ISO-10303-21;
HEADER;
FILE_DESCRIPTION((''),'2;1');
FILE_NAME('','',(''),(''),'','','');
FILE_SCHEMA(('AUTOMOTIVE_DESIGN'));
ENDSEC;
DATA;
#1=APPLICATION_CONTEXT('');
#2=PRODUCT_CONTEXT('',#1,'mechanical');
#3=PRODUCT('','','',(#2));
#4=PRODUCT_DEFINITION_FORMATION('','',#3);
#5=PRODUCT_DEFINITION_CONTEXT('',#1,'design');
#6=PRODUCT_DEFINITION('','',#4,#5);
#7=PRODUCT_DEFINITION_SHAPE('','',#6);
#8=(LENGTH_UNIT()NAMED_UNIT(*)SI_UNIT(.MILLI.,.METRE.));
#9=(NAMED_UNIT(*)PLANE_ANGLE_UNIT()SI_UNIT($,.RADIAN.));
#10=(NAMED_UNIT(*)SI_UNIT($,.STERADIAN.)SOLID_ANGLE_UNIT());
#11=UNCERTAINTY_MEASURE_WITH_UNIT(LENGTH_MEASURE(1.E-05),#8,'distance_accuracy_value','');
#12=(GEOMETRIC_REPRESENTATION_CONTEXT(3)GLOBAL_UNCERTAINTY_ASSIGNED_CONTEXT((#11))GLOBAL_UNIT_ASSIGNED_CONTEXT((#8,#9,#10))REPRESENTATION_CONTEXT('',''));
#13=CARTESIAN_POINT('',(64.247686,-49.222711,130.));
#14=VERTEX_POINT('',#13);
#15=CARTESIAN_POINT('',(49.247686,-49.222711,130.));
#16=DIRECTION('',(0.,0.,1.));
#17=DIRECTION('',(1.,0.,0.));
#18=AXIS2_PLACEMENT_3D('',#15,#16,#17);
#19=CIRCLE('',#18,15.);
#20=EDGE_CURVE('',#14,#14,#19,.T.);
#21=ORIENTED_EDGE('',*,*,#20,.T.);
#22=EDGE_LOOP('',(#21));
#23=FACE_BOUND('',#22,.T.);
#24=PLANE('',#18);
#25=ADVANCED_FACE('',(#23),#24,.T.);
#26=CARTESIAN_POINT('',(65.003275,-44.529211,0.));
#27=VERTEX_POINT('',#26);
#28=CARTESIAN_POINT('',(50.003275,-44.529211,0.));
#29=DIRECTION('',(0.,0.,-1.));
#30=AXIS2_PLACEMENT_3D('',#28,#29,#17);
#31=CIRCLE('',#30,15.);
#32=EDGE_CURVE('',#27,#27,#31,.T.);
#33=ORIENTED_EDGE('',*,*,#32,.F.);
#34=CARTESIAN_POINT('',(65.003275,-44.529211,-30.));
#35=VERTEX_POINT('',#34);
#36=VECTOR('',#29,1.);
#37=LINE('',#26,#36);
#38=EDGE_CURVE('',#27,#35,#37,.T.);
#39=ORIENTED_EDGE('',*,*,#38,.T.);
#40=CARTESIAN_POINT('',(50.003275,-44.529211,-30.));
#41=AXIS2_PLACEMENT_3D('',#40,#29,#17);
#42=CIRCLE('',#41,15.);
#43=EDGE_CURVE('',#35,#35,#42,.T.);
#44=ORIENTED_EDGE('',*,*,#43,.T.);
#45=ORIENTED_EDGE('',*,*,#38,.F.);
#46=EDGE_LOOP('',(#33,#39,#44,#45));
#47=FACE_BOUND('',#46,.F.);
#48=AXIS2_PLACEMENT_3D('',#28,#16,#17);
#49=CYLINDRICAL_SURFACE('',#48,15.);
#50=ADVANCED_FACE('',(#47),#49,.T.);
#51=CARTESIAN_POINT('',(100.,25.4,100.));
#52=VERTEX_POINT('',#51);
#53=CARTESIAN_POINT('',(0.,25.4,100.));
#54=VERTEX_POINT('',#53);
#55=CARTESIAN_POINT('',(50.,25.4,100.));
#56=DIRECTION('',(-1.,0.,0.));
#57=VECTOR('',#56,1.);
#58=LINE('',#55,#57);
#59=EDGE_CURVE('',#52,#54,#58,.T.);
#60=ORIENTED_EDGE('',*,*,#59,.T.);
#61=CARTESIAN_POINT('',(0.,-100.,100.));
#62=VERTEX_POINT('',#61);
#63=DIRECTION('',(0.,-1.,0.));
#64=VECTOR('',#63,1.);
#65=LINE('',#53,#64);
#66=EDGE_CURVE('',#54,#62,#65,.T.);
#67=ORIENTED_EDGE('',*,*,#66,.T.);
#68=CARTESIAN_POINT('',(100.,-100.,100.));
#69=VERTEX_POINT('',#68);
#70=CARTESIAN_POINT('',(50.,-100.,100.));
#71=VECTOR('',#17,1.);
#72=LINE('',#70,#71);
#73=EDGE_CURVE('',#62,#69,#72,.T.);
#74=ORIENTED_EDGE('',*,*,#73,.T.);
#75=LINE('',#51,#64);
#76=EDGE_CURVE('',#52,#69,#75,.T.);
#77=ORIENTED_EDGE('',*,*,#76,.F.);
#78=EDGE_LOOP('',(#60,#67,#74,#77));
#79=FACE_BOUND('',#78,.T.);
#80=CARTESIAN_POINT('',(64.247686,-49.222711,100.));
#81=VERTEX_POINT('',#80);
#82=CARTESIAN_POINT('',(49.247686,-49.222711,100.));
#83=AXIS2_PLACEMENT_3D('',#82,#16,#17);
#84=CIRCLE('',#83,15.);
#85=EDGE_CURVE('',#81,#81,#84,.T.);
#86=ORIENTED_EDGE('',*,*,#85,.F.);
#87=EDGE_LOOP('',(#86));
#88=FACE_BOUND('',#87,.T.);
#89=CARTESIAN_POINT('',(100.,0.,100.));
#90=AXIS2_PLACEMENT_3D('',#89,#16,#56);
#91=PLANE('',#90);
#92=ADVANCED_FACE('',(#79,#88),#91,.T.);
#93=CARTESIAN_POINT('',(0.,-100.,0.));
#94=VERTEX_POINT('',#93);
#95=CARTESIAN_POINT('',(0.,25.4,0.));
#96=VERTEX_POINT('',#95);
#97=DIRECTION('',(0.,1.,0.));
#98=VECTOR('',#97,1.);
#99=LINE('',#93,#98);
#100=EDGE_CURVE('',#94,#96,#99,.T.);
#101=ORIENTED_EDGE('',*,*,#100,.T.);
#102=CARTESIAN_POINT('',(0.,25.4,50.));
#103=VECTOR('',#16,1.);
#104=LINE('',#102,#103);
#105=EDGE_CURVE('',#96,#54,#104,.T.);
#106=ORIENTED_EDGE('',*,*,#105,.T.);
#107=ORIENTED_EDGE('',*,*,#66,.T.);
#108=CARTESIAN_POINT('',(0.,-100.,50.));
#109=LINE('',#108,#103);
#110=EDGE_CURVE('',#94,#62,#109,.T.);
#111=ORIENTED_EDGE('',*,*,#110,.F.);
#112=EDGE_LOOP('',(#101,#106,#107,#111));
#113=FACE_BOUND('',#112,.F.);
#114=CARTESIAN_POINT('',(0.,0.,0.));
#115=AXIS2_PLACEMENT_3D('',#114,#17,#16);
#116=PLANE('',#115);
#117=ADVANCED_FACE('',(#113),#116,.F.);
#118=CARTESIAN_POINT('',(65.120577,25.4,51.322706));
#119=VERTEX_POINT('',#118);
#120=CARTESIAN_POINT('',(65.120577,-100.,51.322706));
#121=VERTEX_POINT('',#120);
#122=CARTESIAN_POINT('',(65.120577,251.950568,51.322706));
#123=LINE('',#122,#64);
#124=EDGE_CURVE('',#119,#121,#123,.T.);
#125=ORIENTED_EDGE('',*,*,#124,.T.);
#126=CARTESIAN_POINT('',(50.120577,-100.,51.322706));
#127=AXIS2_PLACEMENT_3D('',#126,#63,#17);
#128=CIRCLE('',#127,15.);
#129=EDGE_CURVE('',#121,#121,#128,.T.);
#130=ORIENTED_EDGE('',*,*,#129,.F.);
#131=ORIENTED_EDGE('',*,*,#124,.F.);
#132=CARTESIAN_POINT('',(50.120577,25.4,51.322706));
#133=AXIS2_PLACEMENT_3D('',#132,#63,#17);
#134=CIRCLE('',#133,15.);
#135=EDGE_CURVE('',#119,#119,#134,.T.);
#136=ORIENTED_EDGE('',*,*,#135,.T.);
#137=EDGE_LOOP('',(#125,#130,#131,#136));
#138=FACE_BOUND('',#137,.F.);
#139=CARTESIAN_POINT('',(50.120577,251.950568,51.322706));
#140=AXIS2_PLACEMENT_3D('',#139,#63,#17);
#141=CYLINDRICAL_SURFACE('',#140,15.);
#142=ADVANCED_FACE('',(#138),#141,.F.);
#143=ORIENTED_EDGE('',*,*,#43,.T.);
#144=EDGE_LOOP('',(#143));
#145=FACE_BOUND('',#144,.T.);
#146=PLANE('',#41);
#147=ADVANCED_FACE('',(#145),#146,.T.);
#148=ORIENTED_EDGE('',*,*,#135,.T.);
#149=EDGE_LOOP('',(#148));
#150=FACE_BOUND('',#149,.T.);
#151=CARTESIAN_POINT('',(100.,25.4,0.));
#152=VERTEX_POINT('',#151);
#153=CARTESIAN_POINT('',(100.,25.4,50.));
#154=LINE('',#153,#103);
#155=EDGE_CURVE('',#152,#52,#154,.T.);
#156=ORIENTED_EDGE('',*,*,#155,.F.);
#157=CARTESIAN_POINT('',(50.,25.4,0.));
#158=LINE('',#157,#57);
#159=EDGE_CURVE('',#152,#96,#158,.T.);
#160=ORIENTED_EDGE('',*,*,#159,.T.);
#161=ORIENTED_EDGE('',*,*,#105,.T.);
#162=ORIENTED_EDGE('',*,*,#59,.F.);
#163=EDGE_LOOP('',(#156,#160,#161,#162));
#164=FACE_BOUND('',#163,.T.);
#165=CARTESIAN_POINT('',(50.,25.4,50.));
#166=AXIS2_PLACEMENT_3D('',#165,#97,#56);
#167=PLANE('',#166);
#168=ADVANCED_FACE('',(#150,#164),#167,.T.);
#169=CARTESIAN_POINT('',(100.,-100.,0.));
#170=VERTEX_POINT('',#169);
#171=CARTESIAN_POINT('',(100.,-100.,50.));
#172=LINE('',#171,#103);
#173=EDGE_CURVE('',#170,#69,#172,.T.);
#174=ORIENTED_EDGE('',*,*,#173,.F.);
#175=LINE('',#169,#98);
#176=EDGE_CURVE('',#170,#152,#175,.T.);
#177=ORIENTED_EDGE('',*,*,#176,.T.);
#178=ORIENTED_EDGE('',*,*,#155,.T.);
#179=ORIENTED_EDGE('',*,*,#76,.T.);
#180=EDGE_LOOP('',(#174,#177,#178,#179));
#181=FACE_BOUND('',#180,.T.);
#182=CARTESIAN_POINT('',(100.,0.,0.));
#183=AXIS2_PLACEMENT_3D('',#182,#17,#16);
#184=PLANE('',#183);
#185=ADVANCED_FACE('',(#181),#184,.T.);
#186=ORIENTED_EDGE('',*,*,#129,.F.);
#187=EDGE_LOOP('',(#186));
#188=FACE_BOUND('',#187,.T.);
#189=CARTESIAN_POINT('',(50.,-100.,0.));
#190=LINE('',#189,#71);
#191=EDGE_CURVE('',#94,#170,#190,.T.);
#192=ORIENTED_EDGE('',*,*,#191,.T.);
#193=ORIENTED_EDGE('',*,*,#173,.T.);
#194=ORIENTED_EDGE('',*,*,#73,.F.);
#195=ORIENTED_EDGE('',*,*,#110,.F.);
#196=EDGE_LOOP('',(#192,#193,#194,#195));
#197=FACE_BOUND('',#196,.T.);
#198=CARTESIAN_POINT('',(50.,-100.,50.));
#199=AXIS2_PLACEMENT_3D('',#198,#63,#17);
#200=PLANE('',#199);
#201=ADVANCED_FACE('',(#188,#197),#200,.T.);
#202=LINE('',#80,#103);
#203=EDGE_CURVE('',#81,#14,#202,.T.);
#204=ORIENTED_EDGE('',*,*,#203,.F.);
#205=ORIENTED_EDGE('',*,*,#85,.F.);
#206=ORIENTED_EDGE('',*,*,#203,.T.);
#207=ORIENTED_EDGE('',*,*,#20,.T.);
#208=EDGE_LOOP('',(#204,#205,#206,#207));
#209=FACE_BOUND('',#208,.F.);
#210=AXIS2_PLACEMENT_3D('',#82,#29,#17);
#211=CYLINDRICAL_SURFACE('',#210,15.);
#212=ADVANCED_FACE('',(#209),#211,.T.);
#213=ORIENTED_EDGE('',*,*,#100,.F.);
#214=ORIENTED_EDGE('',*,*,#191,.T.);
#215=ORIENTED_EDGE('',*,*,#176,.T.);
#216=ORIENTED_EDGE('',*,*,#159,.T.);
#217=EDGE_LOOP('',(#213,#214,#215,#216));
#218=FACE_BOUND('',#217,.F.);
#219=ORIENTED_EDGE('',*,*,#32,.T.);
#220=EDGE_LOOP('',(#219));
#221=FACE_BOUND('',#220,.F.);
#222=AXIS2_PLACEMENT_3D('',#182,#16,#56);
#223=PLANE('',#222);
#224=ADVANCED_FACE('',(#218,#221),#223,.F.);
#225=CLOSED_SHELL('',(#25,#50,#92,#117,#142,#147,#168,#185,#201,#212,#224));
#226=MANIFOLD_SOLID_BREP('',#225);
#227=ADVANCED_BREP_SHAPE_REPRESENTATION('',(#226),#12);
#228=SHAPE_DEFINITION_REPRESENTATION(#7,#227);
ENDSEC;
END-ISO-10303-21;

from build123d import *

# Parameters (mm, degrees)
F0_W     = 100
F0_H     = 100
F1_DEPTH = 100
F3_R     = 15
F4_DEPTH = 30
F2_R     = 15
F5_DEPTH = 30
F6_W     = 100
F6_H     = 100
F7_DEPTH = 25.4
F9_D     = 30


with BuildPart() as f1:
    # F0 (on Front) → F1 (new body)
    with BuildSketch(Plane.XZ):
        with Locations((50, 50)):
            Rectangle(F0_W, F0_H)
    extrude(amount=F1_DEPTH)

    # F3 (on face) → F4 (join)
    with BuildSketch(Plane(origin=(0, 0, 0), x_dir=(1, 0, 0), z_dir=(0, 0, -1))):
        with Locations((50.003275, 44.529211)):
            Circle(F3_R)
    extrude(amount=F4_DEPTH)

    # F2 (on face) → F5 (join)
    with BuildSketch(Plane.XY.offset(100)):
        with Locations((49.247686, -49.222711)):
            Circle(F2_R)
    extrude(amount=F5_DEPTH)

    # F6 (on face) → F7 (join)
    with BuildSketch(Plane(origin=(0, 0, 0), x_dir=(-1, 0, 0), z_dir=(0, 1, 0))):
        with Locations((-50, 50)):
            Rectangle(F6_W, F6_H)
    extrude(amount=F7_DEPTH)

    # F9 (through all)
    with Locations(Plane(origin=(0, 25.4, 0), x_dir=(-1, 0, 0), z_dir=(0, 1, 0))):
        with Locations((-50.120577, 51.322706)):
            Hole(F9_D / 2)


solid = f1.part
